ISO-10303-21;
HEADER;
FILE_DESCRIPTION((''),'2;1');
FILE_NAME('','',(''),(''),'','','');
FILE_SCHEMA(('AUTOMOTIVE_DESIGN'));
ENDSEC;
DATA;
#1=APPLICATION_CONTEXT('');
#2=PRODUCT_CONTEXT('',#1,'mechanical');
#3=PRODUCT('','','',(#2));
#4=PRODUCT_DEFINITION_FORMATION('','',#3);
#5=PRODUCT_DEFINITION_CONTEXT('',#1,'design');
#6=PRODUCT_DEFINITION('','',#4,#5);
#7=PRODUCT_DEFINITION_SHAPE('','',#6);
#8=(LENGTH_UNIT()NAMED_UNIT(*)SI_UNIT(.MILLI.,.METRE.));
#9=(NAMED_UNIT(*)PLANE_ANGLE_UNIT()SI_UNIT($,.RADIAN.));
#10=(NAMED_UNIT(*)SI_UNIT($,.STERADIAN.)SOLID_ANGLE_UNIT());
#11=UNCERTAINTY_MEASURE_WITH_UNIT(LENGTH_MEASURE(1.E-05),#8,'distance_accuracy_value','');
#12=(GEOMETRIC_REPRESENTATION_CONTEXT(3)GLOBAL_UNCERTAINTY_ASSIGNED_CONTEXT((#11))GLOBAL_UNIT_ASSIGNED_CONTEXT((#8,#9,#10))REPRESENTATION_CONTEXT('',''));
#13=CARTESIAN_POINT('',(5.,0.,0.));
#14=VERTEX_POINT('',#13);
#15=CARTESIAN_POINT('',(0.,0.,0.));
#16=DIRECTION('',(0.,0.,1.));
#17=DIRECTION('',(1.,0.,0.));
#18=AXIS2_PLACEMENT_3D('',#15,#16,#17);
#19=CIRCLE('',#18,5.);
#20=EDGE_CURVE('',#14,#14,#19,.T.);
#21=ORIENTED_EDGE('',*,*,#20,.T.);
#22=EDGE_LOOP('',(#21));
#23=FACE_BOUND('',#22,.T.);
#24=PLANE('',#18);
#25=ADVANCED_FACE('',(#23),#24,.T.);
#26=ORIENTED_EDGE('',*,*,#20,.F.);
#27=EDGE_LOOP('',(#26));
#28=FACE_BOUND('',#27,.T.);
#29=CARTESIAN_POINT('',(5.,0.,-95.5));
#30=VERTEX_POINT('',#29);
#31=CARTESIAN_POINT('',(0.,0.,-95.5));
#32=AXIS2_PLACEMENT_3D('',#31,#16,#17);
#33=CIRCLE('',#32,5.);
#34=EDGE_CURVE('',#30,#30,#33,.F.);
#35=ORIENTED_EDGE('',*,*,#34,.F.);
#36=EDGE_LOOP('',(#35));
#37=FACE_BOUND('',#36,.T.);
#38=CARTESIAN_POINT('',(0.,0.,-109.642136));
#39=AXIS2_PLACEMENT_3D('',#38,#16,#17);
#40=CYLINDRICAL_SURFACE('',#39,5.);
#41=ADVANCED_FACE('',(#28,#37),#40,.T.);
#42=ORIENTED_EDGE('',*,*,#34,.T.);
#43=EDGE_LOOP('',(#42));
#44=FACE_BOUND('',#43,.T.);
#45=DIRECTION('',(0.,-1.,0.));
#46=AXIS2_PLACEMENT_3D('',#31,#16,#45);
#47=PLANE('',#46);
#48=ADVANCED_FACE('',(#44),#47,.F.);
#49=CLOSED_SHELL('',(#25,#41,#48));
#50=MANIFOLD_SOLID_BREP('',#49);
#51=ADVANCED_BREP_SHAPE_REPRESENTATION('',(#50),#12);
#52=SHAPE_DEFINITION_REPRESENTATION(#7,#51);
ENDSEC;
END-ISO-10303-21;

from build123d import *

# Parameters (mm, degrees)
SKETCH1_R           = 5
BOSS_EXTRUDE1_DEPTH = 95.5


with BuildPart() as part:
    # Sketch1 → Boss-Extrude1 (new body)
    with BuildSketch(Plane.XY):
        Circle(SKETCH1_R)
    extrude(amount=-BOSS_EXTRUDE1_DEPTH)


solid = part.part
